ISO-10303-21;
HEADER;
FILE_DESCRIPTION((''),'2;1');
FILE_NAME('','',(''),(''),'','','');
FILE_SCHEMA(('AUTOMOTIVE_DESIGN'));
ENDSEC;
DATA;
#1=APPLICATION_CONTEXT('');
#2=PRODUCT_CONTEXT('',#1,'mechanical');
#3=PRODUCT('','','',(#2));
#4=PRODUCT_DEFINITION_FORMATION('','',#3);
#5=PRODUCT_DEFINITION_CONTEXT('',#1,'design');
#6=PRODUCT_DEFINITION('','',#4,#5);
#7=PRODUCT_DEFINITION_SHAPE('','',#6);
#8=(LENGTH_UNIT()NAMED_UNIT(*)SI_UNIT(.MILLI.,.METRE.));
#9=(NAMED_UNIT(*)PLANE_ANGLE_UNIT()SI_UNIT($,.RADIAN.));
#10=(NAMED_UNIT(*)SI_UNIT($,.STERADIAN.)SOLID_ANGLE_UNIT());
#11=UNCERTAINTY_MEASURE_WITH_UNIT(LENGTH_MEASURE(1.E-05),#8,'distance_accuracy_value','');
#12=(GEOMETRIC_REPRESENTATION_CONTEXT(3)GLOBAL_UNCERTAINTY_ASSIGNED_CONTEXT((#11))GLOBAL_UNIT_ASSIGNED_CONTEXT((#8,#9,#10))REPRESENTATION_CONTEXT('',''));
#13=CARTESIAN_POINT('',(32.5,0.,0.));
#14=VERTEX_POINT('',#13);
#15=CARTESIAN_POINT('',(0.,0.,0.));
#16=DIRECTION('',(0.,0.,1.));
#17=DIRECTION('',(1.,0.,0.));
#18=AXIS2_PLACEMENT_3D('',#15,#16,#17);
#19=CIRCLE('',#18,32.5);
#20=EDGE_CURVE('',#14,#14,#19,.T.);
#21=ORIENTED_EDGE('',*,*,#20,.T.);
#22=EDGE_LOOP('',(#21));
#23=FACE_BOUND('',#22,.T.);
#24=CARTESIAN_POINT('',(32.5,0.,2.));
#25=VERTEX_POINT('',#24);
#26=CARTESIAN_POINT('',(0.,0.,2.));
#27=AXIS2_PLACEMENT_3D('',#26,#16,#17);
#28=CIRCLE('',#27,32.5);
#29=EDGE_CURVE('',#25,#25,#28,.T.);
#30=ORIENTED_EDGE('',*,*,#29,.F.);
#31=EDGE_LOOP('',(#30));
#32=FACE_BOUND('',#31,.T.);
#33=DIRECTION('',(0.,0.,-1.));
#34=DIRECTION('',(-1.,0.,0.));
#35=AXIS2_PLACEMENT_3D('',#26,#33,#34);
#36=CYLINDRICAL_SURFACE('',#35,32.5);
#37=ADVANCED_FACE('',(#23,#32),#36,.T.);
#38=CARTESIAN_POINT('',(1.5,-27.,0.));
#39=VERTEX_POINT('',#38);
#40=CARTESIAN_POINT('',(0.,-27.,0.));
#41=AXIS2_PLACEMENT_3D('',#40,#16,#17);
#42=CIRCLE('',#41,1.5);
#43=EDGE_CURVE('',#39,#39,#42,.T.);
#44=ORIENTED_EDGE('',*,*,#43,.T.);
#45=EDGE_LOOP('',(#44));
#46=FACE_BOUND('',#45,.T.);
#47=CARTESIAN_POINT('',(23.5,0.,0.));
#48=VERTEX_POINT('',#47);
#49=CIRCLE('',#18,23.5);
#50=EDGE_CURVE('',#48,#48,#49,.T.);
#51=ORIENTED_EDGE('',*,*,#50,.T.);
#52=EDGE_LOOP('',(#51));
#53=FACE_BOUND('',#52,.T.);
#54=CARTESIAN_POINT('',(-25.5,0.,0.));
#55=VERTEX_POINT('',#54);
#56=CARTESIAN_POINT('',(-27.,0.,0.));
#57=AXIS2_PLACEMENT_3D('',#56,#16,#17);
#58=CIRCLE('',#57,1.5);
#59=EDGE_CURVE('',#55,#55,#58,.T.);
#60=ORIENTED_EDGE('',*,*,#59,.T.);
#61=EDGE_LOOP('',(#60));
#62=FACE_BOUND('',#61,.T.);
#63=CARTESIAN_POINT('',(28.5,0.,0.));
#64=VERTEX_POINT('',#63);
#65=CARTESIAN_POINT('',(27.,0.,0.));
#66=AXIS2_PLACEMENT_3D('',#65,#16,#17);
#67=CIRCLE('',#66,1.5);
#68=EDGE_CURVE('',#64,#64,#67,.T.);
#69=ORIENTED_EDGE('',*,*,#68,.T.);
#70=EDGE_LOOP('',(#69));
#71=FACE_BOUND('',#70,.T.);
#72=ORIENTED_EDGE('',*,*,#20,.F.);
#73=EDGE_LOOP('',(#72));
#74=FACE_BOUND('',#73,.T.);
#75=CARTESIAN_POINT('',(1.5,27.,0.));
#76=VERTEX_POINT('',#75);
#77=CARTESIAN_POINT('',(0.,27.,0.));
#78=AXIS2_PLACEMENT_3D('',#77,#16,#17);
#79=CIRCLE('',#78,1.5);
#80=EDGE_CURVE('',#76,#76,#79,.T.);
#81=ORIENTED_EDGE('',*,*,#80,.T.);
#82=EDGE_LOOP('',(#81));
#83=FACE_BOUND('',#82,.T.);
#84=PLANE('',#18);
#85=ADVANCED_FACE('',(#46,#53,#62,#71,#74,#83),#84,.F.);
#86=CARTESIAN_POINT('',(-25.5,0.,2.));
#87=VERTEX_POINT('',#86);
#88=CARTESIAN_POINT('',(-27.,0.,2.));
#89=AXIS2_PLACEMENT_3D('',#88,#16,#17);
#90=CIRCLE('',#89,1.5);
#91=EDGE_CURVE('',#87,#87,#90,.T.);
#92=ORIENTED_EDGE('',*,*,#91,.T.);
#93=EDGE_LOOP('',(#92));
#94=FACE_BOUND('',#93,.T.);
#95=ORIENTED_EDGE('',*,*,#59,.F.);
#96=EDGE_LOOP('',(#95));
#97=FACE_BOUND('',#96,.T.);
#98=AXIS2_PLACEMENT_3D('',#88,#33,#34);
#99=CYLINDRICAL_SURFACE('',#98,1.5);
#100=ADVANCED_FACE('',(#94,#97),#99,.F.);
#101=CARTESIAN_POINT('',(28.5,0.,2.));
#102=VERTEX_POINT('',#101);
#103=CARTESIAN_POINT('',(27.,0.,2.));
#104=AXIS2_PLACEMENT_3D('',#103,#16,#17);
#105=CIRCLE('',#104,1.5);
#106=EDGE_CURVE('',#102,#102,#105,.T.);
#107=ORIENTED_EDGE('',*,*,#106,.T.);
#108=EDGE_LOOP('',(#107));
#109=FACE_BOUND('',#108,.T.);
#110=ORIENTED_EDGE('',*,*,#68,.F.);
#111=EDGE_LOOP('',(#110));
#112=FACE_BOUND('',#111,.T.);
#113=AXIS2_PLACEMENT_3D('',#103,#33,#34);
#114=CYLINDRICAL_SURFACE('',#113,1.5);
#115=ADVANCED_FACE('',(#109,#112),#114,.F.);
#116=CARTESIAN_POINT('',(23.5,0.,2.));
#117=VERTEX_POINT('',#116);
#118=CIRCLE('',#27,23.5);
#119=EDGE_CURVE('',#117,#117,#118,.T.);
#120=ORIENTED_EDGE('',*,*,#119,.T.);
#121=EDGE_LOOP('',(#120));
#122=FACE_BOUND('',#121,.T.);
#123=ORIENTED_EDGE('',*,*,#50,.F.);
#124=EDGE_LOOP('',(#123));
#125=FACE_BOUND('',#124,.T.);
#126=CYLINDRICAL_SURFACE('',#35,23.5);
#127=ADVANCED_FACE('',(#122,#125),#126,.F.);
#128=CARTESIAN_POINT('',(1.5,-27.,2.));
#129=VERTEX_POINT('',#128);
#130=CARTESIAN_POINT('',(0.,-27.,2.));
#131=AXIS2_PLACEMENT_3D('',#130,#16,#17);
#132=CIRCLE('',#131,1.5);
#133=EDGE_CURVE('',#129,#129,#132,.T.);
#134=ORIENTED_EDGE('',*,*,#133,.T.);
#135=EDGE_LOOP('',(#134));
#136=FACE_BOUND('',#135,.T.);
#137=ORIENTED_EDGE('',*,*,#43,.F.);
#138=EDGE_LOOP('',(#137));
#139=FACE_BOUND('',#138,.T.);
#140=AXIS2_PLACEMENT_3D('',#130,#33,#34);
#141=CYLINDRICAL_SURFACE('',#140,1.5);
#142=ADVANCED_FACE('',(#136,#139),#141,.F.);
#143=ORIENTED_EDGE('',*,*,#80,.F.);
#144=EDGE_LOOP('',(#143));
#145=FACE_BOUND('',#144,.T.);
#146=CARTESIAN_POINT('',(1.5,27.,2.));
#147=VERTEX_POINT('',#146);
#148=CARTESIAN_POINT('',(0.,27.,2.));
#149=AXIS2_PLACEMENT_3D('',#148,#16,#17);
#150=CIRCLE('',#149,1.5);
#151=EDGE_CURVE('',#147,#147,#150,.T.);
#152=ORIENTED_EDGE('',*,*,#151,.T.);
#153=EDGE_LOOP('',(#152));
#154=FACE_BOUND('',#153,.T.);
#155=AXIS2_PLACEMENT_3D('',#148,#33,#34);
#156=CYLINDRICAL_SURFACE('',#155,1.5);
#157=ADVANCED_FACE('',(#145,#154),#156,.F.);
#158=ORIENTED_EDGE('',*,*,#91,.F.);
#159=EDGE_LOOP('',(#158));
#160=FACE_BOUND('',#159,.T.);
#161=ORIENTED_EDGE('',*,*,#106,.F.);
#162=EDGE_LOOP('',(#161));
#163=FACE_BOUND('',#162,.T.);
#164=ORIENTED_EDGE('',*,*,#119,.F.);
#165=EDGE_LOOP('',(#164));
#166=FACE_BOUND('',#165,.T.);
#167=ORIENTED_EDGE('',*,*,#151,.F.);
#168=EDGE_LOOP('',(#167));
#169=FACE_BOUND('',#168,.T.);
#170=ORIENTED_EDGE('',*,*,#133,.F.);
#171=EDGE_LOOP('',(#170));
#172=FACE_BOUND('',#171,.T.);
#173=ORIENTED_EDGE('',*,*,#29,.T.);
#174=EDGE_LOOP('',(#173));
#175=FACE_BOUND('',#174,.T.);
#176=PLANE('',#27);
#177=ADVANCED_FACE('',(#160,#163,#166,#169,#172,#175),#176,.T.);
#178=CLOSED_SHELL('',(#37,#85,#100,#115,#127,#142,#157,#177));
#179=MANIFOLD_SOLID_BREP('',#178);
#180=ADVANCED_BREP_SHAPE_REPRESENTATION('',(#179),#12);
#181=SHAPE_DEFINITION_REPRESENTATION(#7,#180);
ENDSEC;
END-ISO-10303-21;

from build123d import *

# Parameters (mm, degrees)
SKETCH1_R           = 32.5
SKETCH1_R_2         = 23.5
SKETCH1_R_3         = 1.5
BOSS_EXTRUDE1_DEPTH = 2


with BuildPart() as part:
    # Sketch1 → Boss-Extrude1 (new body)
    with BuildSketch(Plane.XY):
        Circle(SKETCH1_R)
        Circle(SKETCH1_R_2, mode=Mode.SUBTRACT)
        with Locations((-27, 0)):
            Circle(SKETCH1_R_3, mode=Mode.SUBTRACT)
        with Locations((27, 0)):
            Circle(SKETCH1_R_3, mode=Mode.SUBTRACT)
        with Locations((0, 27)):
            Circle(SKETCH1_R_3, mode=Mode.SUBTRACT)
        with Locations((0, -27)):
            Circle(SKETCH1_R_3, mode=Mode.SUBTRACT)
    extrude(amount=BOSS_EXTRUDE1_DEPTH)


solid = part.part
